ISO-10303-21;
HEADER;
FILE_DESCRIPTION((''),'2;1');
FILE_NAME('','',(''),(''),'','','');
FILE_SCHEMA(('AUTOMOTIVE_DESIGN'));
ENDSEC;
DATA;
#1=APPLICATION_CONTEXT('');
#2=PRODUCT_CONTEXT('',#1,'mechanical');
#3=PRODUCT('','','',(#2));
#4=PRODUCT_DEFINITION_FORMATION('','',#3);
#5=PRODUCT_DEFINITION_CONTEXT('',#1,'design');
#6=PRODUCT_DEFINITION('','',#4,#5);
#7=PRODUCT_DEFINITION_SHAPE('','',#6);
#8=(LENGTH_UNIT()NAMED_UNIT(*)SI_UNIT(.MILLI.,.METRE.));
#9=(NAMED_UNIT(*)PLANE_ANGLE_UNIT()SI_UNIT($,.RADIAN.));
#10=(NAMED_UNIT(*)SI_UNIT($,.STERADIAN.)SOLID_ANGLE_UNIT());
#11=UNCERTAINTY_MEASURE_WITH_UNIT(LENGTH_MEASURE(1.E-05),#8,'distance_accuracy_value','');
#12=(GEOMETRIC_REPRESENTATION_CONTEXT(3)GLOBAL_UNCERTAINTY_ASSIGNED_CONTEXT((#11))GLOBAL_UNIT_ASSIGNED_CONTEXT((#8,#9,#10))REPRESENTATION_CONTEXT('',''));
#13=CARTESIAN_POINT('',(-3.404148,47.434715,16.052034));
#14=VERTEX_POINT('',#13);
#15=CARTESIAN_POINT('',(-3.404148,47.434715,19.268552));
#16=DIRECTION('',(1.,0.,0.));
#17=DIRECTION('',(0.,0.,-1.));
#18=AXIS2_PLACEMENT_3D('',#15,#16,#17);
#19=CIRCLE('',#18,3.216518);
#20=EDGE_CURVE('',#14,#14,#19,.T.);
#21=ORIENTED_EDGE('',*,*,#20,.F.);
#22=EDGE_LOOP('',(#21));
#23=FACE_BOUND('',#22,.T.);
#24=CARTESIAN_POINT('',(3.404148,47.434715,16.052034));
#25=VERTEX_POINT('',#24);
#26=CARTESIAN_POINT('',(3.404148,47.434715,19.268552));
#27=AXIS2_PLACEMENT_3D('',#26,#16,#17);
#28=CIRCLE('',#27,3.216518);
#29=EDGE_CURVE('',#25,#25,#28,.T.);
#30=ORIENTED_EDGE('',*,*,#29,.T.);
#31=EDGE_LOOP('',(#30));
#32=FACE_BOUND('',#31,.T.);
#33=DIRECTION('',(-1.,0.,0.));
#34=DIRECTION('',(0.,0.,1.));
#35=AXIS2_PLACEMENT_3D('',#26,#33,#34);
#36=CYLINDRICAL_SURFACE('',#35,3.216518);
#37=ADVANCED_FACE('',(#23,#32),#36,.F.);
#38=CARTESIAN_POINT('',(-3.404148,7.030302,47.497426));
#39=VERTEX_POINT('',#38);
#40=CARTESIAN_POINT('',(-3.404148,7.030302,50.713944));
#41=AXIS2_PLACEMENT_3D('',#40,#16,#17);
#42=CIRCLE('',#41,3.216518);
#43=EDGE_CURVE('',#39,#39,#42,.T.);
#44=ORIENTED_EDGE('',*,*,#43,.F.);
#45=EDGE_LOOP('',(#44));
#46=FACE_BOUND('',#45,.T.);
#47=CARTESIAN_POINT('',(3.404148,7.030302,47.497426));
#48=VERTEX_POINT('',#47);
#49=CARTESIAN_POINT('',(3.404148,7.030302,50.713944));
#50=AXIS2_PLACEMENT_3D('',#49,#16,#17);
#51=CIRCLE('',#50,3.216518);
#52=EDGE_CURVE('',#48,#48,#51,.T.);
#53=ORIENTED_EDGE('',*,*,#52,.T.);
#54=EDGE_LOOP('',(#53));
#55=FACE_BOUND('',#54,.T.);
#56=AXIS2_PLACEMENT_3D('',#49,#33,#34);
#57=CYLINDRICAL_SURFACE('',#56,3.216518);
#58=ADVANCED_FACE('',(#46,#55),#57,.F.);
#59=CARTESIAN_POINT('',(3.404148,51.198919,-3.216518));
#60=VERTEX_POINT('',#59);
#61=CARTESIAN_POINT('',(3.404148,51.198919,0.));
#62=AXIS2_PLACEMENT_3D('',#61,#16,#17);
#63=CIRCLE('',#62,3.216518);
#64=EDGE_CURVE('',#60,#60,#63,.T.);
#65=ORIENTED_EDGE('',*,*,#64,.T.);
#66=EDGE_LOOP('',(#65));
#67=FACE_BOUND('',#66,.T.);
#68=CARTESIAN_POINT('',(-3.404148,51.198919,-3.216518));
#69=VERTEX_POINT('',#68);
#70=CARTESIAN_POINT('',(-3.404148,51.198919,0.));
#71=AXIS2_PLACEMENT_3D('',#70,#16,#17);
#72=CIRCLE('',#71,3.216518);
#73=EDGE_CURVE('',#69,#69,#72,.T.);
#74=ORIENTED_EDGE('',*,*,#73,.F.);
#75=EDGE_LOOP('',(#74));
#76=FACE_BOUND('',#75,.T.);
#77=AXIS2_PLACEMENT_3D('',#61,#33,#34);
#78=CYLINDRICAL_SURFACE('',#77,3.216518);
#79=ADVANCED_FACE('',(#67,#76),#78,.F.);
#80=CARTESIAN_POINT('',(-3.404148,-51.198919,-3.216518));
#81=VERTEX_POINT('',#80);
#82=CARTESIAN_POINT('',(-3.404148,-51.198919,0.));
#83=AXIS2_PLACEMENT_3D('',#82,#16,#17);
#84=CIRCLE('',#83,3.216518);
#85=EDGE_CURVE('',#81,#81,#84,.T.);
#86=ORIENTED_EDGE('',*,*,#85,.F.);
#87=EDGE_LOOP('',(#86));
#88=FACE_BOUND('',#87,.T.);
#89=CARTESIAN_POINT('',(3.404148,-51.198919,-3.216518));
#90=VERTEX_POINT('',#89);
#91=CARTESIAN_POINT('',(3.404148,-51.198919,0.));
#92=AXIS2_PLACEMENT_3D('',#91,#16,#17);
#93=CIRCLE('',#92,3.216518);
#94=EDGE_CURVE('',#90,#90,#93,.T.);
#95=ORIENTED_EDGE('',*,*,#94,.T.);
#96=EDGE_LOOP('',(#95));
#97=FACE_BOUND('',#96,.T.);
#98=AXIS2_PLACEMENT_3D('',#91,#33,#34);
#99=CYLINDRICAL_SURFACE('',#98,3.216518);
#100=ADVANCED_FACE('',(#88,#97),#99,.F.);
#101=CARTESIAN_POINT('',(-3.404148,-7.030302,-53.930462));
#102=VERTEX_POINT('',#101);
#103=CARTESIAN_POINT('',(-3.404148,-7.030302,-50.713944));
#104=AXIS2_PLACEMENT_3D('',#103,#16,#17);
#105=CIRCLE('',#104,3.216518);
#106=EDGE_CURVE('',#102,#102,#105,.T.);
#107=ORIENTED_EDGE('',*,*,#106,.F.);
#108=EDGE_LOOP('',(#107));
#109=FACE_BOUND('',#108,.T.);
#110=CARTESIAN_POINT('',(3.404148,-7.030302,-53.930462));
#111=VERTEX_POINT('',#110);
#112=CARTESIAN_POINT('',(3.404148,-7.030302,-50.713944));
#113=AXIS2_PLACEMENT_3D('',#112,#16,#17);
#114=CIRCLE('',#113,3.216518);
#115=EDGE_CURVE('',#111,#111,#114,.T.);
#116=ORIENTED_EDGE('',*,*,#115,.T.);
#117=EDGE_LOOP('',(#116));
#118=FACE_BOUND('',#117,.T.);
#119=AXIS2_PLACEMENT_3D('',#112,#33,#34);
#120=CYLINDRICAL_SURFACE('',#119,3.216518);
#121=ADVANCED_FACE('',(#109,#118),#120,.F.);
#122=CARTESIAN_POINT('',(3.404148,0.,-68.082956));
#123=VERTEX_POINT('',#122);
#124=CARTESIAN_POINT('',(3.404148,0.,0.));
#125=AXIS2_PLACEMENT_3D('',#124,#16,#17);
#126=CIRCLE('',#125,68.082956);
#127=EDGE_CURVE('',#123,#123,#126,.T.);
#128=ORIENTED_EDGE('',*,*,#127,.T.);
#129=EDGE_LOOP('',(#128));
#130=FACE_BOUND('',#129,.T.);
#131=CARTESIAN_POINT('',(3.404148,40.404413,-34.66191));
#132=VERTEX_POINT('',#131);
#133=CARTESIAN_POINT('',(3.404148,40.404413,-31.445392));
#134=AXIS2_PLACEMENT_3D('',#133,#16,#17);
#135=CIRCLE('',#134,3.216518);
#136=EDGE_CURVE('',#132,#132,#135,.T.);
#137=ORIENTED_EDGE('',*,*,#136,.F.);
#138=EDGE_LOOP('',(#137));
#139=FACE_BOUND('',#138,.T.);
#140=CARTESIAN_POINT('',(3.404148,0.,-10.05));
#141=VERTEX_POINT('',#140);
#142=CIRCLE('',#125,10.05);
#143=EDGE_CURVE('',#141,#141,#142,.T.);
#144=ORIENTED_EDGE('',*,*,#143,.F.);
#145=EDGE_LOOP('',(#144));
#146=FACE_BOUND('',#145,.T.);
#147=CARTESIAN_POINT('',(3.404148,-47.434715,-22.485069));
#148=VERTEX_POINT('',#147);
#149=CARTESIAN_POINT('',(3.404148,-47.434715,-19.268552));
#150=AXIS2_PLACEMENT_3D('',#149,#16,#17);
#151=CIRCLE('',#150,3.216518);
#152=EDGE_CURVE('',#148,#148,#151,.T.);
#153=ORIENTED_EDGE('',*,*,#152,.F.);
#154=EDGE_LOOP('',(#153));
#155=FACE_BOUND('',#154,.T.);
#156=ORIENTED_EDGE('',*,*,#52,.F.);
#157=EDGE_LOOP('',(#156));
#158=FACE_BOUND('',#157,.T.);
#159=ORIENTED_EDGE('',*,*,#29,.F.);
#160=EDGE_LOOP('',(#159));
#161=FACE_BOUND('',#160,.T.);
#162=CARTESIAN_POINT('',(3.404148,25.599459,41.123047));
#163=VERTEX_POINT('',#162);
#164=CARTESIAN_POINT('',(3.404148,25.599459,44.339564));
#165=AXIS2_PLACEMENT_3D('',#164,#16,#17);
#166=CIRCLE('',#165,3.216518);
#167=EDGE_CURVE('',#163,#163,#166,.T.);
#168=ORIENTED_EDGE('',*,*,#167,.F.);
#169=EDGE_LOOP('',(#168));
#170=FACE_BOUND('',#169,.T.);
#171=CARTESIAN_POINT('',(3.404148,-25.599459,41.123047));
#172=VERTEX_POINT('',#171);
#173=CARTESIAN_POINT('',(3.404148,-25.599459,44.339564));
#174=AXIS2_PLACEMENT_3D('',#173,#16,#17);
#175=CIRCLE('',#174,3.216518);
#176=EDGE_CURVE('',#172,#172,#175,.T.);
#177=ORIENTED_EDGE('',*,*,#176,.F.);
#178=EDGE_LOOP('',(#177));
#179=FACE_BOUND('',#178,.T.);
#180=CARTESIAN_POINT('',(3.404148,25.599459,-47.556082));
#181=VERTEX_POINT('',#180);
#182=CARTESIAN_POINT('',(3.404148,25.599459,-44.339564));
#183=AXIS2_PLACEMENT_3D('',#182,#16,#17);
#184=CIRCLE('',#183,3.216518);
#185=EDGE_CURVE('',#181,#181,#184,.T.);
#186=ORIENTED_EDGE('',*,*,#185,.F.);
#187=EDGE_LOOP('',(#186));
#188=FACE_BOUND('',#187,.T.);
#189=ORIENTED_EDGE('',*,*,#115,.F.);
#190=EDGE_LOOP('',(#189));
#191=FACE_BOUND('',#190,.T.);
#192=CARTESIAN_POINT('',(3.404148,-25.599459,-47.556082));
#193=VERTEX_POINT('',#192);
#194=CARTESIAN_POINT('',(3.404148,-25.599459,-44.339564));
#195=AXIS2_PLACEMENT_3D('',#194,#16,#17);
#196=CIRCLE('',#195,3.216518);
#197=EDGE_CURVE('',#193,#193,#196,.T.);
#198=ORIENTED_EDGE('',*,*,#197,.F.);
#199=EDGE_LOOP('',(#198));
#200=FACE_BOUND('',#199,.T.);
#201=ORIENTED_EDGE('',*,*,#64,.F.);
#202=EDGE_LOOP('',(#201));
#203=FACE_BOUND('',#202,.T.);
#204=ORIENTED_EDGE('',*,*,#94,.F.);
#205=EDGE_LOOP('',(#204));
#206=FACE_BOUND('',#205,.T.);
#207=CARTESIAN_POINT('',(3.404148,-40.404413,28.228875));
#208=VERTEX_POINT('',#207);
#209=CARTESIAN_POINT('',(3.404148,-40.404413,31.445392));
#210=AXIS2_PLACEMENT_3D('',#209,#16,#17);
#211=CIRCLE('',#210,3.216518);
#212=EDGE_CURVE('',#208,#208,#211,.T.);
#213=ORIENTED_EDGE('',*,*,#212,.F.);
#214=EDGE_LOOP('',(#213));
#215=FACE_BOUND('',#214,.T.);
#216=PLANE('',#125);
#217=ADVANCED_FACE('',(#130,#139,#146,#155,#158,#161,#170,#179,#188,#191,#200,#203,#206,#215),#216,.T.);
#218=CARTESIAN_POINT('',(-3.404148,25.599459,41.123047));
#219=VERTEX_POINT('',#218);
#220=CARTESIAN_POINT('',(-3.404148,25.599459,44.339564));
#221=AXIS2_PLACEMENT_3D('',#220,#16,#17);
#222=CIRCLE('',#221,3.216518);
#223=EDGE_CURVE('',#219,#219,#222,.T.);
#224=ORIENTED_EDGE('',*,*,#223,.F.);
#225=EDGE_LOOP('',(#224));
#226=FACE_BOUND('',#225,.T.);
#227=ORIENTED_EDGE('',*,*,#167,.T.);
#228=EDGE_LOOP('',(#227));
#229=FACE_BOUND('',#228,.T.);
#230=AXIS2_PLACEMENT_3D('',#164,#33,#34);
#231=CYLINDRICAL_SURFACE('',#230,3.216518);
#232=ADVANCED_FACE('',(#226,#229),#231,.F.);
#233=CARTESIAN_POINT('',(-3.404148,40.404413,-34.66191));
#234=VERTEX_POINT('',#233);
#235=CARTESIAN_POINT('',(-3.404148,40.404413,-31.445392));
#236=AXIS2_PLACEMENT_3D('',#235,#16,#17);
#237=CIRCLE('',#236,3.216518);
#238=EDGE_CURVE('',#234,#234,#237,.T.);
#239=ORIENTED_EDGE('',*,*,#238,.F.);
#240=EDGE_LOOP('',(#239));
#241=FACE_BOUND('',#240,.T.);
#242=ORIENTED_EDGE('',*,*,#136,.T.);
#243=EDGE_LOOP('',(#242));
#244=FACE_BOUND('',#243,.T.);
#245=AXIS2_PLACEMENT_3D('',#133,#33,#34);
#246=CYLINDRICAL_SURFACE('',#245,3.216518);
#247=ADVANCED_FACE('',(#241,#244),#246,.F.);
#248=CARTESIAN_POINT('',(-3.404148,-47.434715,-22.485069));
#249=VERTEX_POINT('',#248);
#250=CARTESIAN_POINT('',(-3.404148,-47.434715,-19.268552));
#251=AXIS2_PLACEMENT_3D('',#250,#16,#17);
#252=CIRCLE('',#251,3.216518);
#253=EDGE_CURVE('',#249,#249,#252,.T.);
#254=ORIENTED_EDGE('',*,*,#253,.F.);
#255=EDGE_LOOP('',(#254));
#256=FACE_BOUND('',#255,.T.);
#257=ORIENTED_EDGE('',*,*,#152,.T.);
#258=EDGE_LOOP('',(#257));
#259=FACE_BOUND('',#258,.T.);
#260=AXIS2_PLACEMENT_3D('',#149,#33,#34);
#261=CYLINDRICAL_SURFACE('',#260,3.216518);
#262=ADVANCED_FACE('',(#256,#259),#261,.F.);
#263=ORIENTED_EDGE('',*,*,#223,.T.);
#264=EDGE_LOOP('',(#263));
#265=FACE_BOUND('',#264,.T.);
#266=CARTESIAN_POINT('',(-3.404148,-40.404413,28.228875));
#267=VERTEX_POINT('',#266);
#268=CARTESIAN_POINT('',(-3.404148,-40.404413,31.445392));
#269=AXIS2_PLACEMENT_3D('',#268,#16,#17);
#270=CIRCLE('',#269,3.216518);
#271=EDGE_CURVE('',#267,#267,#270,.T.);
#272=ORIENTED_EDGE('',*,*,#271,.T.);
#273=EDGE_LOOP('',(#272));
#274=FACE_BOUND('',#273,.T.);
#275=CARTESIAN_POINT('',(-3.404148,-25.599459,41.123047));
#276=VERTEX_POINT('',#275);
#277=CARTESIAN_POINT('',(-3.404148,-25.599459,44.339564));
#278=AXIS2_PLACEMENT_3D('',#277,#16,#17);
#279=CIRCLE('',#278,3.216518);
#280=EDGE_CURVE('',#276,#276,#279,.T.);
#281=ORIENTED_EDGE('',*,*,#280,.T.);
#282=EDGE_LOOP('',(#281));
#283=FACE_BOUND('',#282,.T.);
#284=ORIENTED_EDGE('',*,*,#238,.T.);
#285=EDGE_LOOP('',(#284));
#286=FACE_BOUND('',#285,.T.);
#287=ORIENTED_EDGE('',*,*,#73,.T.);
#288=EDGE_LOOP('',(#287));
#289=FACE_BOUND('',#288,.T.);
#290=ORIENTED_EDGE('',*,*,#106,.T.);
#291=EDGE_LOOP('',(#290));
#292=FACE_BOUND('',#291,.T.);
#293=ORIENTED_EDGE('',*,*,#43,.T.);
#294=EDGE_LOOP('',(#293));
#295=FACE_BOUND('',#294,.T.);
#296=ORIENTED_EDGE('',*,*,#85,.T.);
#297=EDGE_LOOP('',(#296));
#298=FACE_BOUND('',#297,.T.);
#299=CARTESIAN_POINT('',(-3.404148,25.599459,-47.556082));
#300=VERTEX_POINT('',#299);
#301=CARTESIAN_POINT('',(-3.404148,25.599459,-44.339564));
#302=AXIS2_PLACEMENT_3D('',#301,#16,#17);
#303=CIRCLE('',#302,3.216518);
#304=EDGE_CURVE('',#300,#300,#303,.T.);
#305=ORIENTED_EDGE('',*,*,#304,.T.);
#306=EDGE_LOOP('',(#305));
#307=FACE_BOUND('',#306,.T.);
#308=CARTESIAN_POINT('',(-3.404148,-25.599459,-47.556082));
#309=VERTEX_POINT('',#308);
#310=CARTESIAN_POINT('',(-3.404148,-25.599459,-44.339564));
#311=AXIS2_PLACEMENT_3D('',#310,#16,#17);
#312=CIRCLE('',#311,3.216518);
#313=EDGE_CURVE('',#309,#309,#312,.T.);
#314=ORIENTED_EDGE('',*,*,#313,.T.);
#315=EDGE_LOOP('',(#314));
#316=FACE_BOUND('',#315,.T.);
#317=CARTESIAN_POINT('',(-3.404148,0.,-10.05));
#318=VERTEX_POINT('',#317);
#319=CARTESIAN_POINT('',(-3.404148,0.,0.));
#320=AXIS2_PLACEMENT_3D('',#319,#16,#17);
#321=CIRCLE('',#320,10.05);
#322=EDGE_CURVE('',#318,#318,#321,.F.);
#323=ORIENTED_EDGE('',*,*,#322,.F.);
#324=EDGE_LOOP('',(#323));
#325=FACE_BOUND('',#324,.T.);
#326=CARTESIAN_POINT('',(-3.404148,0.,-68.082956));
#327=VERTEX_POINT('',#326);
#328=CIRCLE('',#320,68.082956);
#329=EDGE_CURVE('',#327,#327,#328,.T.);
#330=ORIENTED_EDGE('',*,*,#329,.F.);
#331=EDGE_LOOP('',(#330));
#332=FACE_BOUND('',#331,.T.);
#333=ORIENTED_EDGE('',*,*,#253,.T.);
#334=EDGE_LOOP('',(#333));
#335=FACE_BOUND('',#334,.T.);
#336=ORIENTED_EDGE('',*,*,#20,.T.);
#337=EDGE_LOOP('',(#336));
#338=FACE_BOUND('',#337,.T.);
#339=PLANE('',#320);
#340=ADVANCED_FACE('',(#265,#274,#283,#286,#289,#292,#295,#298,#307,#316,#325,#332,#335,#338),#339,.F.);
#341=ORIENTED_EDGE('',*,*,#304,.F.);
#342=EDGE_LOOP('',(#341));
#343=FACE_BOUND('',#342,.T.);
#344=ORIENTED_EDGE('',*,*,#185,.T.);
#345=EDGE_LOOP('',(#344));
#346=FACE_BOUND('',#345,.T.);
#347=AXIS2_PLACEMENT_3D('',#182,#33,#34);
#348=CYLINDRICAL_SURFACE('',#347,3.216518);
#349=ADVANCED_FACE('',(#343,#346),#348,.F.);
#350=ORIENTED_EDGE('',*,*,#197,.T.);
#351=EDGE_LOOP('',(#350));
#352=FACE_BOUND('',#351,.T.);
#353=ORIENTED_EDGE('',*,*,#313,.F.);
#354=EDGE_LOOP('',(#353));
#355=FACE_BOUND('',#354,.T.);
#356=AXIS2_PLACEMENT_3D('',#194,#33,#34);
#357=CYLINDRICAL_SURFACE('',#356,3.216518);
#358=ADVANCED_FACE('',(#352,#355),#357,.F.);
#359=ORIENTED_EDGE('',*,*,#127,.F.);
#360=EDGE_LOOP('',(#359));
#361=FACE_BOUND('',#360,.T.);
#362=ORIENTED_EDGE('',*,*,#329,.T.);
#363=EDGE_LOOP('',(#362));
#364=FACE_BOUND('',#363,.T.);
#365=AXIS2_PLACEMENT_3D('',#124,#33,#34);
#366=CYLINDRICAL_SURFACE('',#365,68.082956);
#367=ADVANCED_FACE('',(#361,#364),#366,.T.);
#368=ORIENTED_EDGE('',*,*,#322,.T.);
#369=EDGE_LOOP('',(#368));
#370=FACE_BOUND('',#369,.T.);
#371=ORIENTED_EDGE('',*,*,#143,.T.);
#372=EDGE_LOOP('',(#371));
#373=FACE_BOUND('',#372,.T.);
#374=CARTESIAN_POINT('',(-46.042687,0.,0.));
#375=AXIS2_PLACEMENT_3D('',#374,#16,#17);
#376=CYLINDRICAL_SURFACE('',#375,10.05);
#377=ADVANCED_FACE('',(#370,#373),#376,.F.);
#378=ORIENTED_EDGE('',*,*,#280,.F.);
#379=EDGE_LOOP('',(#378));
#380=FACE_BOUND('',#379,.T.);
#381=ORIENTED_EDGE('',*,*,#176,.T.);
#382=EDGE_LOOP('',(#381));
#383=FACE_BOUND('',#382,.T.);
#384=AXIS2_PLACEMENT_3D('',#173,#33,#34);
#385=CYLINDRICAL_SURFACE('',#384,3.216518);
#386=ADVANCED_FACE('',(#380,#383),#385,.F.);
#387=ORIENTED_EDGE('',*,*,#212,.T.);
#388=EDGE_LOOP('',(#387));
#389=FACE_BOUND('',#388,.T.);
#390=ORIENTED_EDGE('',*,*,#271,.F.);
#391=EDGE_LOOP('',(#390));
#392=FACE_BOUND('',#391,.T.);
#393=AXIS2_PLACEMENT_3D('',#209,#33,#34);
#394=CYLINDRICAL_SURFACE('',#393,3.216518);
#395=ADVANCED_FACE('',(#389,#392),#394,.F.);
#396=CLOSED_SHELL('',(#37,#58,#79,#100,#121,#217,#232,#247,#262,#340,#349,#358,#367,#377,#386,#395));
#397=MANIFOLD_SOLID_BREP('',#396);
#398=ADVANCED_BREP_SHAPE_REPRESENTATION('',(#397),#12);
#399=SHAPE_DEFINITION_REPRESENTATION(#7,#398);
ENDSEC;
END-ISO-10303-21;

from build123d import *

# Parameters (mm, degrees)
SKETCH2_R           = 127
SKETCH2_R_2         = 6
SKETCH2_R_3         = 31.75
BOSS_EXTRUDE1_DEPTH = 6.35
SCALE1_SCALE        = 0.714781685
SCALE2_SCALE        = 0.5
BOSS_EXTRUDE2_START = -4.538863701
SKETCH3_R           = 11.347159253
SKETCH3_R_2         = 10.05
BOSS_EXTRUDE2_DEPTH = 4.538863701
SCALE3_SCALE        = 1.5
BOSS_EXTRUDE3_START = -6.808295552
SKETCH4_R           = 15.075
SKETCH4_R_2         = 10.05
BOSS_EXTRUDE3_DEPTH = 6.808295552


with BuildPart() as part:
    # Sketch2 → Boss-Extrude1 (new, symmetric)
    with BuildSketch(Plane(origin=(0, 0, 0), x_dir=(0, 0, -1), z_dir=(1, 0, 0))):
        Circle(SKETCH2_R)
        with Locations((-82.709756188, 47.7525)):
            Circle(SKETCH2_R_2, mode=Mode.SUBTRACT)
        with Locations((-35.943005468, 88.483362181)):
            Circle(SKETCH2_R_2, mode=Mode.SUBTRACT)
        with Locations((-82.709756188, -47.7525)):
            Circle(SKETCH2_R_2, mode=Mode.SUBTRACT)
        with Locations((-94.600342195, 13.114125267)):
            Circle(SKETCH2_R_2, mode=Mode.SUBTRACT)
        with Locations((0, -95.505)):
            Circle(SKETCH2_R_2, mode=Mode.SUBTRACT)
        with Locations((-58.657336727, -75.369236914)):
            Circle(SKETCH2_R_2, mode=Mode.SUBTRACT)
        with Locations((82.709756188, -47.7525)):
            Circle(SKETCH2_R_2, mode=Mode.SUBTRACT)
        with Locations((35.943005468, -88.483362181)):
            Circle(SKETCH2_R_2, mode=Mode.SUBTRACT)
        with Locations((82.709756188, 47.7525)):
            Circle(SKETCH2_R_2, mode=Mode.SUBTRACT)
        with Locations((94.600342195, -13.114125267)):
            Circle(SKETCH2_R_2, mode=Mode.SUBTRACT)
        with Locations((58.657336727, 75.369236914)):
            Circle(SKETCH2_R_2, mode=Mode.SUBTRACT)
        with Locations((0, 95.505)):
            Circle(SKETCH2_R_2, mode=Mode.SUBTRACT)
        Circle(SKETCH2_R_3, mode=Mode.SUBTRACT)
    extrude(amount=BOSS_EXTRUDE1_DEPTH, both=True)


with BuildPart() as part_1:
    # Scale1: scaled about (0, 0, 0)
    add(part.part.scale(SCALE1_SCALE))


with BuildPart() as part_2:
    # Scale2: scaled about (0, 0, 0)
    add(part_1.part.scale(SCALE2_SCALE))

    # Sketch3 → Boss-Extrude2 (add)
    with BuildSketch(Plane(origin=(2.269431851, 0, 0), x_dir=(0, 0, -1), z_dir=(1, 0, 0)).offset(BOSS_EXTRUDE2_START)):
        Circle(SKETCH3_R)
        Circle(SKETCH3_R_2, mode=Mode.SUBTRACT)
    extrude(amount=BOSS_EXTRUDE2_DEPTH)


with BuildPart() as part_3:
    # Scale3: scaled about (0, 0, 0)
    add(part_2.part.scale(SCALE3_SCALE))

    # Sketch4 → Boss-Extrude3 (add)
    with BuildSketch(Plane(origin=(3.404147776, 0, 0), x_dir=(0, 0, -1), z_dir=(1, 0, 0)).offset(BOSS_EXTRUDE3_START)):
        Circle(SKETCH4_R)
        Circle(SKETCH4_R_2, mode=Mode.SUBTRACT)
    extrude(amount=BOSS_EXTRUDE3_DEPTH)


solid = part_3.part
